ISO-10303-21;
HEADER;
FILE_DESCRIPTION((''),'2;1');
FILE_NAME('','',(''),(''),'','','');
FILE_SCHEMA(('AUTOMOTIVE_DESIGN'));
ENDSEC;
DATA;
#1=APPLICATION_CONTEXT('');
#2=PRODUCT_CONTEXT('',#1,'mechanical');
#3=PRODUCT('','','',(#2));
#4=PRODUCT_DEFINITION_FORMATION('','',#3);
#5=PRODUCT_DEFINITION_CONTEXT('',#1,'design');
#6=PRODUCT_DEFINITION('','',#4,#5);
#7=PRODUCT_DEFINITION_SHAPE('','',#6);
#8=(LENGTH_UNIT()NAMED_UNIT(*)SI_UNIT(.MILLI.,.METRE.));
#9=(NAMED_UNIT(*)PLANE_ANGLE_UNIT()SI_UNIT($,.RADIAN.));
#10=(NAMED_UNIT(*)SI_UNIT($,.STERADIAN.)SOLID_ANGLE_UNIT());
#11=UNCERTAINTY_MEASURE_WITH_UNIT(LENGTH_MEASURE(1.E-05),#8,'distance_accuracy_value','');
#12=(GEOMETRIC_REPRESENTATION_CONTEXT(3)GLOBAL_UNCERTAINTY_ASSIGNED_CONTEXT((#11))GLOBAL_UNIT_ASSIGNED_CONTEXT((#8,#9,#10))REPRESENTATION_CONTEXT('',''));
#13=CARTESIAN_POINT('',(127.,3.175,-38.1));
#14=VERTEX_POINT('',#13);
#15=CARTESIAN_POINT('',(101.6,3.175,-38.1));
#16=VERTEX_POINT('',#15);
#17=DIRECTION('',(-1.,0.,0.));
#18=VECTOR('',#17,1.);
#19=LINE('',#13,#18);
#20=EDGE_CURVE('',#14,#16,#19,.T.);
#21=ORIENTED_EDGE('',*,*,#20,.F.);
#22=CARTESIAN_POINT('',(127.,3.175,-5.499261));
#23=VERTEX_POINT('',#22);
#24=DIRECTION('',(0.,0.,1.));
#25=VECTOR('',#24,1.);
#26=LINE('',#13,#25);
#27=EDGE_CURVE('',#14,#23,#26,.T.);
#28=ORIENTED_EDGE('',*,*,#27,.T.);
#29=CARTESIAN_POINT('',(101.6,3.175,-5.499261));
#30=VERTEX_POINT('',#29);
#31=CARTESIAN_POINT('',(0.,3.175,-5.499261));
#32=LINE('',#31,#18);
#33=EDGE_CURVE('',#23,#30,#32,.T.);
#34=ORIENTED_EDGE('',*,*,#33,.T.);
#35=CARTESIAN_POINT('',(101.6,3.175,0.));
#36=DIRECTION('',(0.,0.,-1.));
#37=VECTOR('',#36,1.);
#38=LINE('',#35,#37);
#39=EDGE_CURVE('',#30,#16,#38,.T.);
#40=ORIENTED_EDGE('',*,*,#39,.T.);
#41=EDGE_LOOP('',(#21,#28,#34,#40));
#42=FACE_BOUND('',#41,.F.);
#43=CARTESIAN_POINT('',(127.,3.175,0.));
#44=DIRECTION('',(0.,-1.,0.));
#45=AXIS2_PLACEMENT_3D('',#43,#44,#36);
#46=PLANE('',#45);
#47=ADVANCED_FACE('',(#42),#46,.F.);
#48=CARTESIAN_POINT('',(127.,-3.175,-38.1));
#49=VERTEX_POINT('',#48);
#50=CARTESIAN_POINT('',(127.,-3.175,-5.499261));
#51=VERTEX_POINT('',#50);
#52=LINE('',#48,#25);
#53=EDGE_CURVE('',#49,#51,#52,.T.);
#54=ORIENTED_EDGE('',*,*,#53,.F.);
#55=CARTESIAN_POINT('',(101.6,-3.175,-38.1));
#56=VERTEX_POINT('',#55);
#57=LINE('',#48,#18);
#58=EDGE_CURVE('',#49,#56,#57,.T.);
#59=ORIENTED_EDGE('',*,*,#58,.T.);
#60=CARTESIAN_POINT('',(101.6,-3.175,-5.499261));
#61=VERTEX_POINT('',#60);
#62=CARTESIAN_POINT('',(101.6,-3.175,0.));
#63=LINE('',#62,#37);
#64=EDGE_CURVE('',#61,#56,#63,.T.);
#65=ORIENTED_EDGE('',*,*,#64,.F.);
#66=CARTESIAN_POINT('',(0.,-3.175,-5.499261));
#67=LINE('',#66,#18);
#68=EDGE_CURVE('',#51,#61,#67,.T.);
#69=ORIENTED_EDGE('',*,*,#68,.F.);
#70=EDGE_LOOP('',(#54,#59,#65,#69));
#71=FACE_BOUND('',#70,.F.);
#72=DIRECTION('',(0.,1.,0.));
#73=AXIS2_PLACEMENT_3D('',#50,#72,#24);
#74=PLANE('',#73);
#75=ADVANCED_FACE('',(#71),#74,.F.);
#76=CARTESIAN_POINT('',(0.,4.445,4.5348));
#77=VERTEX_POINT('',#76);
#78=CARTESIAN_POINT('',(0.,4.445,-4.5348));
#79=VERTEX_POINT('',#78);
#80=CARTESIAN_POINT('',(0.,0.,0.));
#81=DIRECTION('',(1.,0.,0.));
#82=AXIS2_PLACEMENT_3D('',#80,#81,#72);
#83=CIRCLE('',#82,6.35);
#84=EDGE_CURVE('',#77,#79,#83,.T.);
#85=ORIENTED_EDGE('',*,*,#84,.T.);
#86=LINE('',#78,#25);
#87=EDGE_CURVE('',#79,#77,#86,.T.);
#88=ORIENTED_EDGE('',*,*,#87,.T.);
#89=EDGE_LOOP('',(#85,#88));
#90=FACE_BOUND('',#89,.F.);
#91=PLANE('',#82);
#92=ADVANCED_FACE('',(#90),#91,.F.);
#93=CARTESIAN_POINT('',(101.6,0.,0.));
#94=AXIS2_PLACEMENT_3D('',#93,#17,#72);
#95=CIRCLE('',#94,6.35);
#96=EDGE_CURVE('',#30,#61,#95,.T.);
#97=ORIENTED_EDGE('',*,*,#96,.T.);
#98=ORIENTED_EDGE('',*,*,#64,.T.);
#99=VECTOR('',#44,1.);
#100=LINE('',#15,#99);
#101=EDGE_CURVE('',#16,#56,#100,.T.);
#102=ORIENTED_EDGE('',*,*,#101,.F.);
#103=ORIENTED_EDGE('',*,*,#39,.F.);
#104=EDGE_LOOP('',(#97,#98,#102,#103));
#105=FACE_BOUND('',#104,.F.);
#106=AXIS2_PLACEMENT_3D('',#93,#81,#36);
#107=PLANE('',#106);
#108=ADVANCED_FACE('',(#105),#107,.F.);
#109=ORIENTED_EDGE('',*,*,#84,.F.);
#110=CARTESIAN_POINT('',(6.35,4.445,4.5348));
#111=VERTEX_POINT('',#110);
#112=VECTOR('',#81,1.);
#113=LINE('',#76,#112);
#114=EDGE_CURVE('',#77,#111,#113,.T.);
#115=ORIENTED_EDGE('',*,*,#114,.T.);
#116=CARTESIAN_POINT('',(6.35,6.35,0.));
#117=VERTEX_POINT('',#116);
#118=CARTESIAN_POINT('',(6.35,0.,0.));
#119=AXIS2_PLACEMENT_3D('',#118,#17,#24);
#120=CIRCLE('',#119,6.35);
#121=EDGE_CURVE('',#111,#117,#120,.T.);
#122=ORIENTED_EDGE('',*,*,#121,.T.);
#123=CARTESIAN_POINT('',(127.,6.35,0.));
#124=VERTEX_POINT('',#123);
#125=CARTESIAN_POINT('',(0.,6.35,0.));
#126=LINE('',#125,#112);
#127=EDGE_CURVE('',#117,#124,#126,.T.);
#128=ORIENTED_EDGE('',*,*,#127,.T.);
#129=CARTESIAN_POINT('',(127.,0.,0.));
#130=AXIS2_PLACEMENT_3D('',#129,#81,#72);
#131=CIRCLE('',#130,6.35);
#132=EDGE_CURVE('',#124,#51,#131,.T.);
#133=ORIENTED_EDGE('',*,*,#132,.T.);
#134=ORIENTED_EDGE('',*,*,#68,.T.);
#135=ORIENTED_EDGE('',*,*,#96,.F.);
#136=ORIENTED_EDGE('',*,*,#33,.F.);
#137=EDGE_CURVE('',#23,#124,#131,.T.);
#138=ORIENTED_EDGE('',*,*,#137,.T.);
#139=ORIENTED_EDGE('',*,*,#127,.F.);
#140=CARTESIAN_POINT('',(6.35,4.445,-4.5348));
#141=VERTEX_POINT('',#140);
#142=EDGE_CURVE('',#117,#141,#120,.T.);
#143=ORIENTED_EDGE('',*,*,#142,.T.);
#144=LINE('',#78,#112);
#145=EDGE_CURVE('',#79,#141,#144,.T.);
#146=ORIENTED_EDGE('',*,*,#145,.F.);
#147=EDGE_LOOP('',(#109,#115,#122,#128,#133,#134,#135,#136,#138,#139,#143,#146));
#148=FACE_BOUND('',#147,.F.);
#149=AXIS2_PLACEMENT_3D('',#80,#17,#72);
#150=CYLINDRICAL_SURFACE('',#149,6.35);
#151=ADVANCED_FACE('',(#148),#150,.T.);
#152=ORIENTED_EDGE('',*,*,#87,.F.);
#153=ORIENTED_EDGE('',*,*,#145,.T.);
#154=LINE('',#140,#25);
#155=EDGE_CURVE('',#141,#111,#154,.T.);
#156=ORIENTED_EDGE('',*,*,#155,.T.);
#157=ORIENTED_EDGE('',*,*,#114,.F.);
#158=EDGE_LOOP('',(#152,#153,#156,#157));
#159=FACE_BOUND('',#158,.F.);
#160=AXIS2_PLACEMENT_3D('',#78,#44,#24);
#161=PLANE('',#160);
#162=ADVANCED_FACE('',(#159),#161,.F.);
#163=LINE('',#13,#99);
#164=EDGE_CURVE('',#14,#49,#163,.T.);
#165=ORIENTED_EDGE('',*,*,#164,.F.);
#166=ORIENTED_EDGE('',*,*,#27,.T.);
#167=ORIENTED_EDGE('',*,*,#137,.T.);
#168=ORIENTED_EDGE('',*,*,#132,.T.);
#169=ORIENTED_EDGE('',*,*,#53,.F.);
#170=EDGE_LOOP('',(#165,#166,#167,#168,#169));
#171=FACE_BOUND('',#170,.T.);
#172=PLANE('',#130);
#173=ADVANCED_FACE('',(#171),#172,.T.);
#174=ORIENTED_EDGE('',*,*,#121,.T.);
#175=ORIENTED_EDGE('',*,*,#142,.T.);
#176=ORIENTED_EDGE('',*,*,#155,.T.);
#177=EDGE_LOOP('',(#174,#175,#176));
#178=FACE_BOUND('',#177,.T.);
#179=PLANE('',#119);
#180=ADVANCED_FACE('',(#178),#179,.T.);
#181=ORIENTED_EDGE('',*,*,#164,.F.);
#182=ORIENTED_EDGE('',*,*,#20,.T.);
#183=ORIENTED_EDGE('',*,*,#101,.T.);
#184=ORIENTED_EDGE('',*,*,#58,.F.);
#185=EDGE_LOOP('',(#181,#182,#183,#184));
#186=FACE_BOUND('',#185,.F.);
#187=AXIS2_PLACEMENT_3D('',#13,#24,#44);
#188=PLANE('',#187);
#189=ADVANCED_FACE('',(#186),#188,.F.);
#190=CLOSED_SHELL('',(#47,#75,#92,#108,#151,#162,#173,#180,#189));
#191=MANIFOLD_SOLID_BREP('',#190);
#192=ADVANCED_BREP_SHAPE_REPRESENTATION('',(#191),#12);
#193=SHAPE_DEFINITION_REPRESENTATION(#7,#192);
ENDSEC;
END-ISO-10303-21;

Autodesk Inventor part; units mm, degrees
ref_plane "YZ Plane" through (0, 0, 0) normal (1, 0, 0) x (0, 1, 0)
ref_plane "XZ Plane" through (0, 0, 0) normal (0, 1, 0) x (-1, 0, 0)
ref_plane "XY Plane" through (0, 0, 0) normal (0, 0, 1) x (1, 0, 0)
sketch "Sketch1" plane through (0, 0, 0) normal (1, 0, 0) x (0, 1, 0)
  circle A0 centre (0, 0) radius 6.35
  dimension "d0" = 12.7
extrude "Extrusion1" add sketch "Sketch1" along normal blind 127
sketch "Sketch2" plane through (127, 0, 0) normal (1, 0, 0) x (0, 0, -1)
  circle A0 centre (0, 0) radius 6.35 projected
  line L0 (0, 3.175) -> (38.1, 3.175)
  line L1 (38.1, 3.175) -> (38.1, -3.175)
  line L2 (38.1, -3.175) -> (0, -3.175)
  line L3 (0, -3.175) -> (0, 3.175)
  dimension "d3" = 12.7
  dimension "d4" = 6.35
  dimension "d5" = 3.175
  dimension "d6" = 38.1
  dimension "d7" = 0
extrude "Extrusion2" add sketch "Sketch2" against normal blind 25.4 contours A0 L2 L3 L0 | A0 L0 L1 L2 picked at (2.1167, 0)
sketch "Sketch3" plane through (0, 0, 0) normal (-1, 0, 0) x (0, 0, 1)
  circle A0 centre (0, 0) radius 6.35 projected
  circle A1 centre (0, 0) radius 6.35 projected
  line L0 (-4.5348, 4.445) -> (4.5348, 4.445)
  line L1 (-5.4993, 3.175) -> (-38.1, 3.175) projected
  dimension "d10" = 4.445
extrude "Extrusion3" cut sketch "Sketch3" against normal blind 6.35 contours L0 A0 picked at (-0.24, 5.0664)
properties part number "StressTestPart"
